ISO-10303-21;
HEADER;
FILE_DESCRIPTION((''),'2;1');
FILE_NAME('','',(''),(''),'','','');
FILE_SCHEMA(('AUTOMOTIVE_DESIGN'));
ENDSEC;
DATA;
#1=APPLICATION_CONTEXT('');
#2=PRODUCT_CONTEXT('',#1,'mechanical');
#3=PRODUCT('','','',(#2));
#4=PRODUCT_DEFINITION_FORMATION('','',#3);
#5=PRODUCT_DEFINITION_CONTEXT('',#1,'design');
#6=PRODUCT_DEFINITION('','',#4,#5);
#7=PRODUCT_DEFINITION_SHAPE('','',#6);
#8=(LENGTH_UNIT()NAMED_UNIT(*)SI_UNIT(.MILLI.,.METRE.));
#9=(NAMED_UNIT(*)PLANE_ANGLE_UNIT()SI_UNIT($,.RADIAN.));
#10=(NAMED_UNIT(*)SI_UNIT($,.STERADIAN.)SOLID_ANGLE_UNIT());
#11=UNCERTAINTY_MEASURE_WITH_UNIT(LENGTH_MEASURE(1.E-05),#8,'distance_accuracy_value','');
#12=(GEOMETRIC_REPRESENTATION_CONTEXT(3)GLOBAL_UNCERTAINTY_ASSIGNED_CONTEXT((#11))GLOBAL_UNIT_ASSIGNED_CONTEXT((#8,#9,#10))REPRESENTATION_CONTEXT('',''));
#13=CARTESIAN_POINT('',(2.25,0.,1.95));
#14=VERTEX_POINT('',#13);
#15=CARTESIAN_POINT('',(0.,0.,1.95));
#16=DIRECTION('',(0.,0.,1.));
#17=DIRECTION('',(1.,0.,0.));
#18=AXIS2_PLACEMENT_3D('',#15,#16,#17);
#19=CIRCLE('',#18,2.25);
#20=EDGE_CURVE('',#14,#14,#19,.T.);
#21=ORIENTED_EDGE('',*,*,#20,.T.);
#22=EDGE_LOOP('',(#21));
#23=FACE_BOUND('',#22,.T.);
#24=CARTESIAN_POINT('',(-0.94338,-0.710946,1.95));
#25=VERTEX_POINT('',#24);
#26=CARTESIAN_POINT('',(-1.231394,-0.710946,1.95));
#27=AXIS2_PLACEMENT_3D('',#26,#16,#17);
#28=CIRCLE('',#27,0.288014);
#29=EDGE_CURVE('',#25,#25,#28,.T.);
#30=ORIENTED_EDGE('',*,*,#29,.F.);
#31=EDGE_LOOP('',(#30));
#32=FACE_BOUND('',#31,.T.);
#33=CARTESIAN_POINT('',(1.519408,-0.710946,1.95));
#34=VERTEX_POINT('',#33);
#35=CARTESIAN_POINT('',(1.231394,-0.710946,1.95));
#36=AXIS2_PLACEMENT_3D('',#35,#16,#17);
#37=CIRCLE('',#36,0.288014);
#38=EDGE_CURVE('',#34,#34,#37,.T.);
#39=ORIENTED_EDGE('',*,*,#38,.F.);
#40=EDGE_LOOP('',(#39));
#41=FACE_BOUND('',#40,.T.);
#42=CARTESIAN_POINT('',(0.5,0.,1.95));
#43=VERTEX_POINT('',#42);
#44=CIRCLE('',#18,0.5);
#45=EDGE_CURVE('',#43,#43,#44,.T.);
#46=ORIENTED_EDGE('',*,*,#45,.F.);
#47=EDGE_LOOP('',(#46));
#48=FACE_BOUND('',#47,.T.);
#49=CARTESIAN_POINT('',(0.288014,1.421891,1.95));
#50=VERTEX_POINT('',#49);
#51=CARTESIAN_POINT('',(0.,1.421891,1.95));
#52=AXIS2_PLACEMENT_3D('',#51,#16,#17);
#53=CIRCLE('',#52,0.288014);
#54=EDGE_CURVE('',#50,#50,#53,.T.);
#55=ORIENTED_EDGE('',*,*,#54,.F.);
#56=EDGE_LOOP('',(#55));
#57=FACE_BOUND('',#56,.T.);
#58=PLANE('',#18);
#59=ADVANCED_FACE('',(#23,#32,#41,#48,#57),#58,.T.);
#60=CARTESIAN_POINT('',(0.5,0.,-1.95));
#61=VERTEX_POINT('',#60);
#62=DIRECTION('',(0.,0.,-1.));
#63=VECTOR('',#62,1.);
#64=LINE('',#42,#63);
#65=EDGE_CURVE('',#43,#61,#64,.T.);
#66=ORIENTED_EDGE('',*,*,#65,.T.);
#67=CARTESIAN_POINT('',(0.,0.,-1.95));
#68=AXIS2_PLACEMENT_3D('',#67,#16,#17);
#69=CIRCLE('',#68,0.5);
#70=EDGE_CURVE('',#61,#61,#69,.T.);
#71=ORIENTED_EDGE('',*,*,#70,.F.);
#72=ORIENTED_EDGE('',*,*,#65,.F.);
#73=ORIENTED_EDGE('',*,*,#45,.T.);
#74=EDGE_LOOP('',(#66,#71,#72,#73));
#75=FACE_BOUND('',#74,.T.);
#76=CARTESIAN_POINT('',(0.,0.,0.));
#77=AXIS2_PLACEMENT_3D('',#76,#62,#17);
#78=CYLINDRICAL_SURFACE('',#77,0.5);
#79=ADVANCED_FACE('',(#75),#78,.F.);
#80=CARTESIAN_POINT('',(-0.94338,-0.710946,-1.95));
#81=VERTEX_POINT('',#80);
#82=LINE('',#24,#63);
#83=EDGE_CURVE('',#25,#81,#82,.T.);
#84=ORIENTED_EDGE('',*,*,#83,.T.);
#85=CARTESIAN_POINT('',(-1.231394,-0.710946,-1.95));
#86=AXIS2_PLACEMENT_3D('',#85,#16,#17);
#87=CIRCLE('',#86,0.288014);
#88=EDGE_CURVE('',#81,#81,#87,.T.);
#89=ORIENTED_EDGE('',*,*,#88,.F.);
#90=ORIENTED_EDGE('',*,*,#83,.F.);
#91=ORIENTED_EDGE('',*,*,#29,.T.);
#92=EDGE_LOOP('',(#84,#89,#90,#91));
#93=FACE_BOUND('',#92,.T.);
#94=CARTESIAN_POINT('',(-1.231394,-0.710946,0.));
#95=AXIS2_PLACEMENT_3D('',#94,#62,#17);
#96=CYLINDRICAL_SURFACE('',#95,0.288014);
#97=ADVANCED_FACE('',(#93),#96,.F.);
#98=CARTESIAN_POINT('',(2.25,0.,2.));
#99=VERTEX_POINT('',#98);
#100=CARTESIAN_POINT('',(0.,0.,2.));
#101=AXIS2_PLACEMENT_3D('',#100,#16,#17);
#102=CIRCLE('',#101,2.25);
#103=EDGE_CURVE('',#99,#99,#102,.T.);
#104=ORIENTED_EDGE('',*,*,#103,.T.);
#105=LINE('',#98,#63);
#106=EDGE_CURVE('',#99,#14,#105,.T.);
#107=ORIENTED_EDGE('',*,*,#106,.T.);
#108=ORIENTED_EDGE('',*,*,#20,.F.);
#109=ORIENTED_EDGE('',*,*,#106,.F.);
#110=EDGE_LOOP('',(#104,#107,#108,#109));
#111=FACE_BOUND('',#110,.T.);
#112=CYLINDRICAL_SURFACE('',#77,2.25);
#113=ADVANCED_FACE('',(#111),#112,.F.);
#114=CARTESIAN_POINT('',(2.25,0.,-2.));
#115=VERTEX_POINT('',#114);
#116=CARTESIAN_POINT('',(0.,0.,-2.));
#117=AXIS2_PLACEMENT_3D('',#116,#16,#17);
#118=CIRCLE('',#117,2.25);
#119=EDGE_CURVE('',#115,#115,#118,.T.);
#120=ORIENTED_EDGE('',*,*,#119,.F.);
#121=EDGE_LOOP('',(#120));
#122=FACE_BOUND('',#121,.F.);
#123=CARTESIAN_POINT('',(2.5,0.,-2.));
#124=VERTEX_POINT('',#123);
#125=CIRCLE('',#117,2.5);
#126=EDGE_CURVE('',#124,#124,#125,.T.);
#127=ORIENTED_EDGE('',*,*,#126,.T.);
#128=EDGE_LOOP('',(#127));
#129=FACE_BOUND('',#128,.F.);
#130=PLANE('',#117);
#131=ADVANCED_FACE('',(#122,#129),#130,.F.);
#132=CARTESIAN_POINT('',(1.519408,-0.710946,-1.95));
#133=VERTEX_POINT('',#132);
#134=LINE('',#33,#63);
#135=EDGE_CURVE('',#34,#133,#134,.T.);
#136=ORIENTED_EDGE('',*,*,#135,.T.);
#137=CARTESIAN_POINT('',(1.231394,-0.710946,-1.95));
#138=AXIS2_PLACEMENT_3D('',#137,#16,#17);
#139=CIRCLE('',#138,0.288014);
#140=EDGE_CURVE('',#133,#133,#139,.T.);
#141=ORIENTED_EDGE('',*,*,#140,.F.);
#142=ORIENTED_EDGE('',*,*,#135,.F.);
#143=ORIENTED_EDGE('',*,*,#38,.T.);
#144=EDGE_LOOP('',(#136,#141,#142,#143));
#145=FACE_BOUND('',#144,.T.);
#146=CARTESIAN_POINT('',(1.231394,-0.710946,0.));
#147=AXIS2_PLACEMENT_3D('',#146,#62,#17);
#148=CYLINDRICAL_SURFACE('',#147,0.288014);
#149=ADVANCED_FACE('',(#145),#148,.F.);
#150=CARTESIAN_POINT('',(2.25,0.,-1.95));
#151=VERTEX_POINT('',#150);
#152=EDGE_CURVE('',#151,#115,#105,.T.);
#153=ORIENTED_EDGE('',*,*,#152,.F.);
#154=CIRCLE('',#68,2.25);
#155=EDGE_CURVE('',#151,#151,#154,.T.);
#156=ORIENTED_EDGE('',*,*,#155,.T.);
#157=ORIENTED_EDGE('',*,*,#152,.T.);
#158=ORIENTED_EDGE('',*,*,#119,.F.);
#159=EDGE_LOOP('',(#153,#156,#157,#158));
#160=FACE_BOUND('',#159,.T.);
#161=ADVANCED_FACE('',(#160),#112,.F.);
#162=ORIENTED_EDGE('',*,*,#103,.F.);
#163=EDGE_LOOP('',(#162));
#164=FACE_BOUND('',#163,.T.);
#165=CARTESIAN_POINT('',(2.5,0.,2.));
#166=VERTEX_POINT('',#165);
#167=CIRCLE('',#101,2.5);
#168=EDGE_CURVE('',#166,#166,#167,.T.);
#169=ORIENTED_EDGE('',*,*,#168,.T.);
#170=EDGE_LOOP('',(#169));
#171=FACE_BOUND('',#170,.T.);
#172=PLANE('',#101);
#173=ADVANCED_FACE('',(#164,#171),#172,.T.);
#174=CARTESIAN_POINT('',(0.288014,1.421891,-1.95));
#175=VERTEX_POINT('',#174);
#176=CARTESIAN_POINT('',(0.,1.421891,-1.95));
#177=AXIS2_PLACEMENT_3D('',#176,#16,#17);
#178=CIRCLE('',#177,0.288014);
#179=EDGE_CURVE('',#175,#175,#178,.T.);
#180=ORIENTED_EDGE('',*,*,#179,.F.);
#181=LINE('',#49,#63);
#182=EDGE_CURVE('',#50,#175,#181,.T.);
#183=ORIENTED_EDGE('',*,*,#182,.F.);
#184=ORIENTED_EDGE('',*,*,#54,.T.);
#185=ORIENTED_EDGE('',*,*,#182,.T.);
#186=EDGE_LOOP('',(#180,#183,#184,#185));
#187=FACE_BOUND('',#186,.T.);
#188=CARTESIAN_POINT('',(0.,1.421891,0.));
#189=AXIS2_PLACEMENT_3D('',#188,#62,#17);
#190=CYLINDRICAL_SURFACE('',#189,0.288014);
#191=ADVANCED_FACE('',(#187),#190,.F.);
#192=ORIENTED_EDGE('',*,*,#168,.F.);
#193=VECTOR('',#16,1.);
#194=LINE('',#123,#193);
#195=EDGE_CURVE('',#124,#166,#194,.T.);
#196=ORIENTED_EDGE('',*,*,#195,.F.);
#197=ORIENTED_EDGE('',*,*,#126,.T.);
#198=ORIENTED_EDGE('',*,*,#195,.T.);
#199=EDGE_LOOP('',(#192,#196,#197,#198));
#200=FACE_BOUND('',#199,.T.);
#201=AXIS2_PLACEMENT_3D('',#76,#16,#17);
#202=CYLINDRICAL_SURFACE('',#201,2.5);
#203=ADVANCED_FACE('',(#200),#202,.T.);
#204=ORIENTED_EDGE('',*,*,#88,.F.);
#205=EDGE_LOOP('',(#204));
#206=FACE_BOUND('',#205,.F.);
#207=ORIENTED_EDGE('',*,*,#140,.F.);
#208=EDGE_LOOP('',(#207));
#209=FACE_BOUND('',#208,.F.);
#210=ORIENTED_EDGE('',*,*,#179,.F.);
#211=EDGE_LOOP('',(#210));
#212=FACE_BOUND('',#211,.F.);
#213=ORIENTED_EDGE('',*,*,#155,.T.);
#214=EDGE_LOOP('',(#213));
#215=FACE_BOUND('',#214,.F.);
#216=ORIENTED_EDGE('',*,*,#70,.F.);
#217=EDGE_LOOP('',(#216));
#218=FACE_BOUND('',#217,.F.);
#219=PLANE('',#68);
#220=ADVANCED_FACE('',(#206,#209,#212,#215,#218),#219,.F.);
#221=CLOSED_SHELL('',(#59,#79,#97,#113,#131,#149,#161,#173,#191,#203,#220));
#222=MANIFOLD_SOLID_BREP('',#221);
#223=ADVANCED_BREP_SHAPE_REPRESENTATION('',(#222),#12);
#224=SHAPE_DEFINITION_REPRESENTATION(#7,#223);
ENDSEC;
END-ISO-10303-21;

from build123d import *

# Parameters (mm, degrees)
F0_R     = 2.25
F0_R_2   = 0.288014
F0_R_3   = 0.5
F1_DEPTH = 1.95
F0_R_4   = 2.5
F2_DEPTH = 2


with BuildPart() as f1:
    # F0 (on Top) → F1 (new body, symmetric)
    with BuildSketch(Plane.XY):
        Circle(F0_R)
        with Locations((-1.231394, -0.710946)):
            Circle(F0_R_2, mode=Mode.SUBTRACT)
        with Locations((1.231394, -0.710946)):
            Circle(F0_R_2, mode=Mode.SUBTRACT)
        Circle(F0_R_3, mode=Mode.SUBTRACT)
        with Locations((0, 1.421891)):
            Circle(F0_R_2, mode=Mode.SUBTRACT)
    extrude(amount=F1_DEPTH, both=True)

    # F0 (on Top) → F2 (join, symmetric)
    with BuildSketch(Plane.XY):
        Circle(F0_R_4)
        Circle(F0_R, mode=Mode.SUBTRACT)
    extrude(amount=F2_DEPTH, both=True)


solid = f1.part
